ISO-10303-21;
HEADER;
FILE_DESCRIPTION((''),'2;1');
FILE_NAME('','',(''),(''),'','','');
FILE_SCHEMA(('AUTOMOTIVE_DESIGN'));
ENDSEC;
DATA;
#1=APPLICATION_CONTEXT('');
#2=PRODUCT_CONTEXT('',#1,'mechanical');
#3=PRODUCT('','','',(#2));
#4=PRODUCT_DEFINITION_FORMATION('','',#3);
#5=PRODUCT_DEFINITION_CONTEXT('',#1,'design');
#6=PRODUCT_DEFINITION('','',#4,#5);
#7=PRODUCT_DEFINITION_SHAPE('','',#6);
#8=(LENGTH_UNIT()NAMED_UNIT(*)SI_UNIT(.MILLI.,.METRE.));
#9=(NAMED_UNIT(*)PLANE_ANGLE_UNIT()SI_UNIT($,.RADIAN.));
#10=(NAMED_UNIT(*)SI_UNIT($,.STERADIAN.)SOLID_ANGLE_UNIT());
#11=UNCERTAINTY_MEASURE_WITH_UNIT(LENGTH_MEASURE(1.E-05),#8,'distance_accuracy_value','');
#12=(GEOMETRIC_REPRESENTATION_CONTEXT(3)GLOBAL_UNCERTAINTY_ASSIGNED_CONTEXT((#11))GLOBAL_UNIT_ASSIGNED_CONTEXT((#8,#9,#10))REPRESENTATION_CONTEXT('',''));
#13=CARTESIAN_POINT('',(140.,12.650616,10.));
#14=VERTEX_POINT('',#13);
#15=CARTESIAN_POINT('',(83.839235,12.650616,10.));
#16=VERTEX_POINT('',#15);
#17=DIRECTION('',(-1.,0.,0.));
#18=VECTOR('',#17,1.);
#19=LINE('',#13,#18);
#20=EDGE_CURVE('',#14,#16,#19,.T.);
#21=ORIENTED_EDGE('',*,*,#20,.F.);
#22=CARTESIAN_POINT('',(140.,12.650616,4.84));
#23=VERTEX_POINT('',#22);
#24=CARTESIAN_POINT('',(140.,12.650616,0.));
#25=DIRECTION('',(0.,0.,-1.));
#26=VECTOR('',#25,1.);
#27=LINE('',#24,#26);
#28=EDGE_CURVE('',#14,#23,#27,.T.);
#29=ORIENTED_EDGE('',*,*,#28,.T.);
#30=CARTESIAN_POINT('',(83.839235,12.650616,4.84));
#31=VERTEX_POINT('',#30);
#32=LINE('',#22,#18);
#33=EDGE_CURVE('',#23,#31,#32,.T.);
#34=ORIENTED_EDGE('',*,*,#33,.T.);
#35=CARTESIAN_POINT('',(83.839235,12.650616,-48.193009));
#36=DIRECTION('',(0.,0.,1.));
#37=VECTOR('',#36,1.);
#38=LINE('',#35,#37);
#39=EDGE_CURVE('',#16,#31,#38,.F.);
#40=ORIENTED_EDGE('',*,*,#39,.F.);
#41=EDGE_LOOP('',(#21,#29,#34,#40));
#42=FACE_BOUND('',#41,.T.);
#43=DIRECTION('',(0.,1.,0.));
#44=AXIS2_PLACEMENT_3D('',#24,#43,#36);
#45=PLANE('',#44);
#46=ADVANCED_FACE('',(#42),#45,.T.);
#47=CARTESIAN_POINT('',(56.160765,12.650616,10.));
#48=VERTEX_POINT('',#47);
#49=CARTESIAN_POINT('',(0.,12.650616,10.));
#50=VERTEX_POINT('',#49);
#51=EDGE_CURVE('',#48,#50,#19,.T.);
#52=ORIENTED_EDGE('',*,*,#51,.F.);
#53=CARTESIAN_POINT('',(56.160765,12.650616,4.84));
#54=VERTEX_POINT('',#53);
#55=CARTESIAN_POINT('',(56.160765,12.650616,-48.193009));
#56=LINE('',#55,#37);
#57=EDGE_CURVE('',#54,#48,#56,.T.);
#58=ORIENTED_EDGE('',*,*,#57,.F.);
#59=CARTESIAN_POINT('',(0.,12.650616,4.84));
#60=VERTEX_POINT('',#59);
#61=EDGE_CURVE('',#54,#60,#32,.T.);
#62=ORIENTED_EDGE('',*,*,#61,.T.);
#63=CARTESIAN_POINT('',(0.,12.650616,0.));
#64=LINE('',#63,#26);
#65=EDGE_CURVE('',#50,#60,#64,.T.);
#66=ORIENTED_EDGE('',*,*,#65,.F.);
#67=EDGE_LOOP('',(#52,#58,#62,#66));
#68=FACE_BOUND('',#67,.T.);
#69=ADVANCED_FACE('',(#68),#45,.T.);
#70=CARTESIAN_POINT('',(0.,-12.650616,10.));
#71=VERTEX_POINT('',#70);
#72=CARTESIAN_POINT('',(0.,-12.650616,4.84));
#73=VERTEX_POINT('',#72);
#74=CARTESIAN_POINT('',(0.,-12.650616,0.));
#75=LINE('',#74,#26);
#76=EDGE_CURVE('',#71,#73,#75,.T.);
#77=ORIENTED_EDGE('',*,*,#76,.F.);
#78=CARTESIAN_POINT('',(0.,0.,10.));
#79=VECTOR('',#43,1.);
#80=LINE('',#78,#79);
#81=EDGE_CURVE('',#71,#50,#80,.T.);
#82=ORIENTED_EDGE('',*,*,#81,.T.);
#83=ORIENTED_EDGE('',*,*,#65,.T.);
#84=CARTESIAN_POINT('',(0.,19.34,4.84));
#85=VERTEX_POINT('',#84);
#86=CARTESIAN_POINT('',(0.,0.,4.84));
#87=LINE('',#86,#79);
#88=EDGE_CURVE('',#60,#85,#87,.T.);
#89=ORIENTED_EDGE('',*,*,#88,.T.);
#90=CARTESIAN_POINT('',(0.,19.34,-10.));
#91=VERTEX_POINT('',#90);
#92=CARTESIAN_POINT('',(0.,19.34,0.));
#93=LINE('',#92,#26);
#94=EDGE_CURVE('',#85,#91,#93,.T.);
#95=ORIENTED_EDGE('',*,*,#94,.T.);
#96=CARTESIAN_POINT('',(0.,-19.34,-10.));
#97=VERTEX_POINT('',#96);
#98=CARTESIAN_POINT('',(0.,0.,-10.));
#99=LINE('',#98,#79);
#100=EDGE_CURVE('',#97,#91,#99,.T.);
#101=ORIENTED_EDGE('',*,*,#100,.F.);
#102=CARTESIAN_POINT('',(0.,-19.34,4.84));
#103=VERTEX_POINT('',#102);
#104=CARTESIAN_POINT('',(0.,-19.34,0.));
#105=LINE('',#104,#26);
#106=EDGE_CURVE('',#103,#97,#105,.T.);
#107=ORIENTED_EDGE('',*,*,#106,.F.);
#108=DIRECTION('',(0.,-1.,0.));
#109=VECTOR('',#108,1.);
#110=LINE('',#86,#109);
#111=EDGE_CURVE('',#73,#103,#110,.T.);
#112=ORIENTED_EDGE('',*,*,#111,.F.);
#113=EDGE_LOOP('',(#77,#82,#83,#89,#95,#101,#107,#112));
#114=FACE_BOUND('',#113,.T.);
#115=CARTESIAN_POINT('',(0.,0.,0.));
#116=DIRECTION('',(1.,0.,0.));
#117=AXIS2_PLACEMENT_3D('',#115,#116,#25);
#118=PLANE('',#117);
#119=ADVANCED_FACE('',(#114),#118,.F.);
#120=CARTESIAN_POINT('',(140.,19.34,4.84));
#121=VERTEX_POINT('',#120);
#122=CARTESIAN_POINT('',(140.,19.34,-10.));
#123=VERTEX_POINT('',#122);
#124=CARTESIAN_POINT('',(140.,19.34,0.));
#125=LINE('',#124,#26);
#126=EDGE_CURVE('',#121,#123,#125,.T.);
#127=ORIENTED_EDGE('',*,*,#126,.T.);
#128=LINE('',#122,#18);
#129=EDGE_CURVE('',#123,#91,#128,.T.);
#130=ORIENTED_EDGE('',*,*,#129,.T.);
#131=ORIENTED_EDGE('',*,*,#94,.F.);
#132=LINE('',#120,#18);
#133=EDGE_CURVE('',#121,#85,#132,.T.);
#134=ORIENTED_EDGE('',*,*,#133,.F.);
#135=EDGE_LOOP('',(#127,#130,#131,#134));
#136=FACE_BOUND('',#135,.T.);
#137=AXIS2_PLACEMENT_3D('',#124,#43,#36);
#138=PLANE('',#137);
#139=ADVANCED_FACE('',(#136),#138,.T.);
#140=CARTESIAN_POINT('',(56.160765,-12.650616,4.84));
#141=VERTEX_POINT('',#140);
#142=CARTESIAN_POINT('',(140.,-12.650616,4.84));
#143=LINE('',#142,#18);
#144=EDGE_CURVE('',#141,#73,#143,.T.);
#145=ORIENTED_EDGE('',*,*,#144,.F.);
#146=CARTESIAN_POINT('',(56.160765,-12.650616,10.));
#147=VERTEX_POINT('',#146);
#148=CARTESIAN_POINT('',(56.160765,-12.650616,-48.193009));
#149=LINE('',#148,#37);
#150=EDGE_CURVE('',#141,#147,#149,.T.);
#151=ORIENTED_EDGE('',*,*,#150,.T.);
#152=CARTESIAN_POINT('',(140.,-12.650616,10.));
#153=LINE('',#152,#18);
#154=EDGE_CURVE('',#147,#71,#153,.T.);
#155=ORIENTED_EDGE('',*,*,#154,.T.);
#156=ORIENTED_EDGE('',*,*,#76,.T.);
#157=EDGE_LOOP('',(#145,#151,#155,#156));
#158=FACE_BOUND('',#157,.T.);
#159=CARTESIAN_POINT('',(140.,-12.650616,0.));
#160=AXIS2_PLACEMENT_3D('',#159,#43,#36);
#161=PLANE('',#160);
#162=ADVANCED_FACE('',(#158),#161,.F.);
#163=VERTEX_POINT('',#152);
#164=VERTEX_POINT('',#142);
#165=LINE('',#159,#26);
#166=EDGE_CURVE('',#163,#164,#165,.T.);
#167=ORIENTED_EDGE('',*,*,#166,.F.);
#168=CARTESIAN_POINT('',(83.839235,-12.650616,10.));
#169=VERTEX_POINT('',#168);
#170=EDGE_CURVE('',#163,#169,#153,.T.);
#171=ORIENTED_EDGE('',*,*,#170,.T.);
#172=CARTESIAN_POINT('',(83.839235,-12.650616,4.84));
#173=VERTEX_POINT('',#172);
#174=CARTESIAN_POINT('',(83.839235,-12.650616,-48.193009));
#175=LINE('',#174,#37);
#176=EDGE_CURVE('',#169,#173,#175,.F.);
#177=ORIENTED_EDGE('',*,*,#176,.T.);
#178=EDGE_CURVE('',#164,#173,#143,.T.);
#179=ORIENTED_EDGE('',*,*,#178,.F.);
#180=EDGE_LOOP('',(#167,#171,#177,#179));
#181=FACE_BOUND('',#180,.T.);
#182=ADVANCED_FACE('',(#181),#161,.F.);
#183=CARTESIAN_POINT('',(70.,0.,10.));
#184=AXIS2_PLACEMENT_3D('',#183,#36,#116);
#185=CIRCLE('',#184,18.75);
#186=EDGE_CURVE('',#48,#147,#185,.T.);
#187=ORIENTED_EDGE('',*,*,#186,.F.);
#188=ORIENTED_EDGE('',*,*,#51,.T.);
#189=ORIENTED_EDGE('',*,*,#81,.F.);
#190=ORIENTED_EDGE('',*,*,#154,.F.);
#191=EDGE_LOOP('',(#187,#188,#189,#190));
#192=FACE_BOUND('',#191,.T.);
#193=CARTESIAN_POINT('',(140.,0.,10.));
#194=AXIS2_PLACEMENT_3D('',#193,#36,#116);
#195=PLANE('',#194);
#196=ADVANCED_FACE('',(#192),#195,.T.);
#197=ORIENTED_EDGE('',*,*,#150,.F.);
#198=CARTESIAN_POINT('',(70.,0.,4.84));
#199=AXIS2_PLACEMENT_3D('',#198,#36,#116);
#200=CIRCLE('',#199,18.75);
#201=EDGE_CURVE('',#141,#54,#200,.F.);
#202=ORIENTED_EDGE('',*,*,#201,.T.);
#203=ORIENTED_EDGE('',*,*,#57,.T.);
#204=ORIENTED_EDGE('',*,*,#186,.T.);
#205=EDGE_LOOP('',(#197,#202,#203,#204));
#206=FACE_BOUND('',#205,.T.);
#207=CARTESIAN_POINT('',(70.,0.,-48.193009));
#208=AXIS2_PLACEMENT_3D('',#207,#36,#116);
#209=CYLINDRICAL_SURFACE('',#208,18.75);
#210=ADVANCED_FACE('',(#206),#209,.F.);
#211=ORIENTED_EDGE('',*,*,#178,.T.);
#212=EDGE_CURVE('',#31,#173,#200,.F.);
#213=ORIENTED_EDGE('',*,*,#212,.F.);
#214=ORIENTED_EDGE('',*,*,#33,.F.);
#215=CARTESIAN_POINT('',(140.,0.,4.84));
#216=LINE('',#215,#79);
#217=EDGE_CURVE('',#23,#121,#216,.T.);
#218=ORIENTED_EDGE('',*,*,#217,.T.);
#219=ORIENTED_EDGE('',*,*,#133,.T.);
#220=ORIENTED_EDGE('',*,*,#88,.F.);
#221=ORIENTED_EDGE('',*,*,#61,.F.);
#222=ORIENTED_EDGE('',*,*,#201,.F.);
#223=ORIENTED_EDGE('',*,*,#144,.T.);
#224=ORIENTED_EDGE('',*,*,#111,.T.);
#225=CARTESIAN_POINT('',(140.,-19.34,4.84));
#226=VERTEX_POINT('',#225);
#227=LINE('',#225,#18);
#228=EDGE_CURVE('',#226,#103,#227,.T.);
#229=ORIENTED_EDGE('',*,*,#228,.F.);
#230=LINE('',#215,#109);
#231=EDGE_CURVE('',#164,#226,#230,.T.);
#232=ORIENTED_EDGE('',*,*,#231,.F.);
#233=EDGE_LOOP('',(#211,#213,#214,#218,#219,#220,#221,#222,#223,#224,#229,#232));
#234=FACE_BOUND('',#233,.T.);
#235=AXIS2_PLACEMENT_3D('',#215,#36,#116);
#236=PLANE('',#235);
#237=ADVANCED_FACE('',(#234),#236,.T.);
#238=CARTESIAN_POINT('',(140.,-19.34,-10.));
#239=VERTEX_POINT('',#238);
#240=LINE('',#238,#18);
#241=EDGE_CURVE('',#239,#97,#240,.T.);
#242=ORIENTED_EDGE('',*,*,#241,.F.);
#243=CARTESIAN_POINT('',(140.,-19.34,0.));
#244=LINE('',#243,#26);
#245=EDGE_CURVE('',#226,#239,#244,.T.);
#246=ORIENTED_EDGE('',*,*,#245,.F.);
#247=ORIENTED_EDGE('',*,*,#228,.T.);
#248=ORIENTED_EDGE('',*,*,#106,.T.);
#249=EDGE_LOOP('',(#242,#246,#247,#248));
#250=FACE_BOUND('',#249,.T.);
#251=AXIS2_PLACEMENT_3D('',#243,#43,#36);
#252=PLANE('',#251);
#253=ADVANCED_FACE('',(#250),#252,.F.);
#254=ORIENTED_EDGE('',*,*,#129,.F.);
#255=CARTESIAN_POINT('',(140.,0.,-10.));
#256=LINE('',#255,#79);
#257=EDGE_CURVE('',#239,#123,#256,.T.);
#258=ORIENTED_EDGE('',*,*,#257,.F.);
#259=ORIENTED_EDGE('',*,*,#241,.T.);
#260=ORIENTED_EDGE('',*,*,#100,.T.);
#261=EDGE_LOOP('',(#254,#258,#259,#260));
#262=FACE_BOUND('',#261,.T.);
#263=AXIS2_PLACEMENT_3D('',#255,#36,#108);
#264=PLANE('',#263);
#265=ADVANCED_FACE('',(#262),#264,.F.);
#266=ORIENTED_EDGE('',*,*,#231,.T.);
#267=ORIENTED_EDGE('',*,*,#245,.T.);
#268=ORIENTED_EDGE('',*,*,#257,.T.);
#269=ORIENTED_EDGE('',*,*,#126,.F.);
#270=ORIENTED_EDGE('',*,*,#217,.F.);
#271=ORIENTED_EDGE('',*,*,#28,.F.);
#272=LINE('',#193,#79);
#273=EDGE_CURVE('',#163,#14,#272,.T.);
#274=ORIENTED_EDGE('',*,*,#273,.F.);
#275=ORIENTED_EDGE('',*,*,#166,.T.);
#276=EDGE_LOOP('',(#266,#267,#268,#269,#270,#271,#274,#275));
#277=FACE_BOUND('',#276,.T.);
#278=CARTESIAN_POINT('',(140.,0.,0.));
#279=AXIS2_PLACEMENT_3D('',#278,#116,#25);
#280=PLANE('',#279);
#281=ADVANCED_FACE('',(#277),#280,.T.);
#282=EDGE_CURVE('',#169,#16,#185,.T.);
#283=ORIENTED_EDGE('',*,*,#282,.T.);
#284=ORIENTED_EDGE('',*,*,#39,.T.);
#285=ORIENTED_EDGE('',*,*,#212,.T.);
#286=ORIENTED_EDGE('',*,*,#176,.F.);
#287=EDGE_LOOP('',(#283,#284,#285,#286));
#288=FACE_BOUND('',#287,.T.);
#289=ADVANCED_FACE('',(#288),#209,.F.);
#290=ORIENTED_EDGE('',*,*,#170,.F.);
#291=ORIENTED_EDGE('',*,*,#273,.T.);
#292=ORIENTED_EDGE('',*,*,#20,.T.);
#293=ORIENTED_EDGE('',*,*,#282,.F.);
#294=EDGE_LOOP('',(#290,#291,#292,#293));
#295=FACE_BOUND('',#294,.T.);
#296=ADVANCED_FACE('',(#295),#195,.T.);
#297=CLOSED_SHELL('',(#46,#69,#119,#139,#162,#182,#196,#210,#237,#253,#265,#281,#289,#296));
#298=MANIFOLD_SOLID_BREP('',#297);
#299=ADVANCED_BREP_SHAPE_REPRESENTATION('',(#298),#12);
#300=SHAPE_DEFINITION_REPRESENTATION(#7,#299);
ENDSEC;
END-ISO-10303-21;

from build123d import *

# Parameters (mm, degrees)
BOSS_EXTRUDE1_DEPTH = 140
SKETCH2_R           = 18.75
CUT_EXTRUDE1_DEPTH  = 5.16


with BuildPart() as part:
    # Sketch1 → Boss-Extrude1 (new body)
    with BuildSketch(Plane(origin=(0, 0, 0), x_dir=(0, 0, -1), z_dir=(1, 0, 0))):
        Polygon((-4.84, 12.650615569), (-10, 12.650615569), (-10, -12.650615569), (-4.84, -12.650615569), (-4.84, -19.34), (10, -19.34), (10, 19.34), (-4.84, 19.34), align=None)
    extrude(amount=BOSS_EXTRUDE1_DEPTH)

    # Sketch2 → Cut-Extrude1 (cut)
    with BuildSketch(Plane.XY.offset(10)):
        with Locations((70, 0)):
            Circle(SKETCH2_R)
    extrude(amount=-CUT_EXTRUDE1_DEPTH, mode=Mode.SUBTRACT)


solid = part.part
